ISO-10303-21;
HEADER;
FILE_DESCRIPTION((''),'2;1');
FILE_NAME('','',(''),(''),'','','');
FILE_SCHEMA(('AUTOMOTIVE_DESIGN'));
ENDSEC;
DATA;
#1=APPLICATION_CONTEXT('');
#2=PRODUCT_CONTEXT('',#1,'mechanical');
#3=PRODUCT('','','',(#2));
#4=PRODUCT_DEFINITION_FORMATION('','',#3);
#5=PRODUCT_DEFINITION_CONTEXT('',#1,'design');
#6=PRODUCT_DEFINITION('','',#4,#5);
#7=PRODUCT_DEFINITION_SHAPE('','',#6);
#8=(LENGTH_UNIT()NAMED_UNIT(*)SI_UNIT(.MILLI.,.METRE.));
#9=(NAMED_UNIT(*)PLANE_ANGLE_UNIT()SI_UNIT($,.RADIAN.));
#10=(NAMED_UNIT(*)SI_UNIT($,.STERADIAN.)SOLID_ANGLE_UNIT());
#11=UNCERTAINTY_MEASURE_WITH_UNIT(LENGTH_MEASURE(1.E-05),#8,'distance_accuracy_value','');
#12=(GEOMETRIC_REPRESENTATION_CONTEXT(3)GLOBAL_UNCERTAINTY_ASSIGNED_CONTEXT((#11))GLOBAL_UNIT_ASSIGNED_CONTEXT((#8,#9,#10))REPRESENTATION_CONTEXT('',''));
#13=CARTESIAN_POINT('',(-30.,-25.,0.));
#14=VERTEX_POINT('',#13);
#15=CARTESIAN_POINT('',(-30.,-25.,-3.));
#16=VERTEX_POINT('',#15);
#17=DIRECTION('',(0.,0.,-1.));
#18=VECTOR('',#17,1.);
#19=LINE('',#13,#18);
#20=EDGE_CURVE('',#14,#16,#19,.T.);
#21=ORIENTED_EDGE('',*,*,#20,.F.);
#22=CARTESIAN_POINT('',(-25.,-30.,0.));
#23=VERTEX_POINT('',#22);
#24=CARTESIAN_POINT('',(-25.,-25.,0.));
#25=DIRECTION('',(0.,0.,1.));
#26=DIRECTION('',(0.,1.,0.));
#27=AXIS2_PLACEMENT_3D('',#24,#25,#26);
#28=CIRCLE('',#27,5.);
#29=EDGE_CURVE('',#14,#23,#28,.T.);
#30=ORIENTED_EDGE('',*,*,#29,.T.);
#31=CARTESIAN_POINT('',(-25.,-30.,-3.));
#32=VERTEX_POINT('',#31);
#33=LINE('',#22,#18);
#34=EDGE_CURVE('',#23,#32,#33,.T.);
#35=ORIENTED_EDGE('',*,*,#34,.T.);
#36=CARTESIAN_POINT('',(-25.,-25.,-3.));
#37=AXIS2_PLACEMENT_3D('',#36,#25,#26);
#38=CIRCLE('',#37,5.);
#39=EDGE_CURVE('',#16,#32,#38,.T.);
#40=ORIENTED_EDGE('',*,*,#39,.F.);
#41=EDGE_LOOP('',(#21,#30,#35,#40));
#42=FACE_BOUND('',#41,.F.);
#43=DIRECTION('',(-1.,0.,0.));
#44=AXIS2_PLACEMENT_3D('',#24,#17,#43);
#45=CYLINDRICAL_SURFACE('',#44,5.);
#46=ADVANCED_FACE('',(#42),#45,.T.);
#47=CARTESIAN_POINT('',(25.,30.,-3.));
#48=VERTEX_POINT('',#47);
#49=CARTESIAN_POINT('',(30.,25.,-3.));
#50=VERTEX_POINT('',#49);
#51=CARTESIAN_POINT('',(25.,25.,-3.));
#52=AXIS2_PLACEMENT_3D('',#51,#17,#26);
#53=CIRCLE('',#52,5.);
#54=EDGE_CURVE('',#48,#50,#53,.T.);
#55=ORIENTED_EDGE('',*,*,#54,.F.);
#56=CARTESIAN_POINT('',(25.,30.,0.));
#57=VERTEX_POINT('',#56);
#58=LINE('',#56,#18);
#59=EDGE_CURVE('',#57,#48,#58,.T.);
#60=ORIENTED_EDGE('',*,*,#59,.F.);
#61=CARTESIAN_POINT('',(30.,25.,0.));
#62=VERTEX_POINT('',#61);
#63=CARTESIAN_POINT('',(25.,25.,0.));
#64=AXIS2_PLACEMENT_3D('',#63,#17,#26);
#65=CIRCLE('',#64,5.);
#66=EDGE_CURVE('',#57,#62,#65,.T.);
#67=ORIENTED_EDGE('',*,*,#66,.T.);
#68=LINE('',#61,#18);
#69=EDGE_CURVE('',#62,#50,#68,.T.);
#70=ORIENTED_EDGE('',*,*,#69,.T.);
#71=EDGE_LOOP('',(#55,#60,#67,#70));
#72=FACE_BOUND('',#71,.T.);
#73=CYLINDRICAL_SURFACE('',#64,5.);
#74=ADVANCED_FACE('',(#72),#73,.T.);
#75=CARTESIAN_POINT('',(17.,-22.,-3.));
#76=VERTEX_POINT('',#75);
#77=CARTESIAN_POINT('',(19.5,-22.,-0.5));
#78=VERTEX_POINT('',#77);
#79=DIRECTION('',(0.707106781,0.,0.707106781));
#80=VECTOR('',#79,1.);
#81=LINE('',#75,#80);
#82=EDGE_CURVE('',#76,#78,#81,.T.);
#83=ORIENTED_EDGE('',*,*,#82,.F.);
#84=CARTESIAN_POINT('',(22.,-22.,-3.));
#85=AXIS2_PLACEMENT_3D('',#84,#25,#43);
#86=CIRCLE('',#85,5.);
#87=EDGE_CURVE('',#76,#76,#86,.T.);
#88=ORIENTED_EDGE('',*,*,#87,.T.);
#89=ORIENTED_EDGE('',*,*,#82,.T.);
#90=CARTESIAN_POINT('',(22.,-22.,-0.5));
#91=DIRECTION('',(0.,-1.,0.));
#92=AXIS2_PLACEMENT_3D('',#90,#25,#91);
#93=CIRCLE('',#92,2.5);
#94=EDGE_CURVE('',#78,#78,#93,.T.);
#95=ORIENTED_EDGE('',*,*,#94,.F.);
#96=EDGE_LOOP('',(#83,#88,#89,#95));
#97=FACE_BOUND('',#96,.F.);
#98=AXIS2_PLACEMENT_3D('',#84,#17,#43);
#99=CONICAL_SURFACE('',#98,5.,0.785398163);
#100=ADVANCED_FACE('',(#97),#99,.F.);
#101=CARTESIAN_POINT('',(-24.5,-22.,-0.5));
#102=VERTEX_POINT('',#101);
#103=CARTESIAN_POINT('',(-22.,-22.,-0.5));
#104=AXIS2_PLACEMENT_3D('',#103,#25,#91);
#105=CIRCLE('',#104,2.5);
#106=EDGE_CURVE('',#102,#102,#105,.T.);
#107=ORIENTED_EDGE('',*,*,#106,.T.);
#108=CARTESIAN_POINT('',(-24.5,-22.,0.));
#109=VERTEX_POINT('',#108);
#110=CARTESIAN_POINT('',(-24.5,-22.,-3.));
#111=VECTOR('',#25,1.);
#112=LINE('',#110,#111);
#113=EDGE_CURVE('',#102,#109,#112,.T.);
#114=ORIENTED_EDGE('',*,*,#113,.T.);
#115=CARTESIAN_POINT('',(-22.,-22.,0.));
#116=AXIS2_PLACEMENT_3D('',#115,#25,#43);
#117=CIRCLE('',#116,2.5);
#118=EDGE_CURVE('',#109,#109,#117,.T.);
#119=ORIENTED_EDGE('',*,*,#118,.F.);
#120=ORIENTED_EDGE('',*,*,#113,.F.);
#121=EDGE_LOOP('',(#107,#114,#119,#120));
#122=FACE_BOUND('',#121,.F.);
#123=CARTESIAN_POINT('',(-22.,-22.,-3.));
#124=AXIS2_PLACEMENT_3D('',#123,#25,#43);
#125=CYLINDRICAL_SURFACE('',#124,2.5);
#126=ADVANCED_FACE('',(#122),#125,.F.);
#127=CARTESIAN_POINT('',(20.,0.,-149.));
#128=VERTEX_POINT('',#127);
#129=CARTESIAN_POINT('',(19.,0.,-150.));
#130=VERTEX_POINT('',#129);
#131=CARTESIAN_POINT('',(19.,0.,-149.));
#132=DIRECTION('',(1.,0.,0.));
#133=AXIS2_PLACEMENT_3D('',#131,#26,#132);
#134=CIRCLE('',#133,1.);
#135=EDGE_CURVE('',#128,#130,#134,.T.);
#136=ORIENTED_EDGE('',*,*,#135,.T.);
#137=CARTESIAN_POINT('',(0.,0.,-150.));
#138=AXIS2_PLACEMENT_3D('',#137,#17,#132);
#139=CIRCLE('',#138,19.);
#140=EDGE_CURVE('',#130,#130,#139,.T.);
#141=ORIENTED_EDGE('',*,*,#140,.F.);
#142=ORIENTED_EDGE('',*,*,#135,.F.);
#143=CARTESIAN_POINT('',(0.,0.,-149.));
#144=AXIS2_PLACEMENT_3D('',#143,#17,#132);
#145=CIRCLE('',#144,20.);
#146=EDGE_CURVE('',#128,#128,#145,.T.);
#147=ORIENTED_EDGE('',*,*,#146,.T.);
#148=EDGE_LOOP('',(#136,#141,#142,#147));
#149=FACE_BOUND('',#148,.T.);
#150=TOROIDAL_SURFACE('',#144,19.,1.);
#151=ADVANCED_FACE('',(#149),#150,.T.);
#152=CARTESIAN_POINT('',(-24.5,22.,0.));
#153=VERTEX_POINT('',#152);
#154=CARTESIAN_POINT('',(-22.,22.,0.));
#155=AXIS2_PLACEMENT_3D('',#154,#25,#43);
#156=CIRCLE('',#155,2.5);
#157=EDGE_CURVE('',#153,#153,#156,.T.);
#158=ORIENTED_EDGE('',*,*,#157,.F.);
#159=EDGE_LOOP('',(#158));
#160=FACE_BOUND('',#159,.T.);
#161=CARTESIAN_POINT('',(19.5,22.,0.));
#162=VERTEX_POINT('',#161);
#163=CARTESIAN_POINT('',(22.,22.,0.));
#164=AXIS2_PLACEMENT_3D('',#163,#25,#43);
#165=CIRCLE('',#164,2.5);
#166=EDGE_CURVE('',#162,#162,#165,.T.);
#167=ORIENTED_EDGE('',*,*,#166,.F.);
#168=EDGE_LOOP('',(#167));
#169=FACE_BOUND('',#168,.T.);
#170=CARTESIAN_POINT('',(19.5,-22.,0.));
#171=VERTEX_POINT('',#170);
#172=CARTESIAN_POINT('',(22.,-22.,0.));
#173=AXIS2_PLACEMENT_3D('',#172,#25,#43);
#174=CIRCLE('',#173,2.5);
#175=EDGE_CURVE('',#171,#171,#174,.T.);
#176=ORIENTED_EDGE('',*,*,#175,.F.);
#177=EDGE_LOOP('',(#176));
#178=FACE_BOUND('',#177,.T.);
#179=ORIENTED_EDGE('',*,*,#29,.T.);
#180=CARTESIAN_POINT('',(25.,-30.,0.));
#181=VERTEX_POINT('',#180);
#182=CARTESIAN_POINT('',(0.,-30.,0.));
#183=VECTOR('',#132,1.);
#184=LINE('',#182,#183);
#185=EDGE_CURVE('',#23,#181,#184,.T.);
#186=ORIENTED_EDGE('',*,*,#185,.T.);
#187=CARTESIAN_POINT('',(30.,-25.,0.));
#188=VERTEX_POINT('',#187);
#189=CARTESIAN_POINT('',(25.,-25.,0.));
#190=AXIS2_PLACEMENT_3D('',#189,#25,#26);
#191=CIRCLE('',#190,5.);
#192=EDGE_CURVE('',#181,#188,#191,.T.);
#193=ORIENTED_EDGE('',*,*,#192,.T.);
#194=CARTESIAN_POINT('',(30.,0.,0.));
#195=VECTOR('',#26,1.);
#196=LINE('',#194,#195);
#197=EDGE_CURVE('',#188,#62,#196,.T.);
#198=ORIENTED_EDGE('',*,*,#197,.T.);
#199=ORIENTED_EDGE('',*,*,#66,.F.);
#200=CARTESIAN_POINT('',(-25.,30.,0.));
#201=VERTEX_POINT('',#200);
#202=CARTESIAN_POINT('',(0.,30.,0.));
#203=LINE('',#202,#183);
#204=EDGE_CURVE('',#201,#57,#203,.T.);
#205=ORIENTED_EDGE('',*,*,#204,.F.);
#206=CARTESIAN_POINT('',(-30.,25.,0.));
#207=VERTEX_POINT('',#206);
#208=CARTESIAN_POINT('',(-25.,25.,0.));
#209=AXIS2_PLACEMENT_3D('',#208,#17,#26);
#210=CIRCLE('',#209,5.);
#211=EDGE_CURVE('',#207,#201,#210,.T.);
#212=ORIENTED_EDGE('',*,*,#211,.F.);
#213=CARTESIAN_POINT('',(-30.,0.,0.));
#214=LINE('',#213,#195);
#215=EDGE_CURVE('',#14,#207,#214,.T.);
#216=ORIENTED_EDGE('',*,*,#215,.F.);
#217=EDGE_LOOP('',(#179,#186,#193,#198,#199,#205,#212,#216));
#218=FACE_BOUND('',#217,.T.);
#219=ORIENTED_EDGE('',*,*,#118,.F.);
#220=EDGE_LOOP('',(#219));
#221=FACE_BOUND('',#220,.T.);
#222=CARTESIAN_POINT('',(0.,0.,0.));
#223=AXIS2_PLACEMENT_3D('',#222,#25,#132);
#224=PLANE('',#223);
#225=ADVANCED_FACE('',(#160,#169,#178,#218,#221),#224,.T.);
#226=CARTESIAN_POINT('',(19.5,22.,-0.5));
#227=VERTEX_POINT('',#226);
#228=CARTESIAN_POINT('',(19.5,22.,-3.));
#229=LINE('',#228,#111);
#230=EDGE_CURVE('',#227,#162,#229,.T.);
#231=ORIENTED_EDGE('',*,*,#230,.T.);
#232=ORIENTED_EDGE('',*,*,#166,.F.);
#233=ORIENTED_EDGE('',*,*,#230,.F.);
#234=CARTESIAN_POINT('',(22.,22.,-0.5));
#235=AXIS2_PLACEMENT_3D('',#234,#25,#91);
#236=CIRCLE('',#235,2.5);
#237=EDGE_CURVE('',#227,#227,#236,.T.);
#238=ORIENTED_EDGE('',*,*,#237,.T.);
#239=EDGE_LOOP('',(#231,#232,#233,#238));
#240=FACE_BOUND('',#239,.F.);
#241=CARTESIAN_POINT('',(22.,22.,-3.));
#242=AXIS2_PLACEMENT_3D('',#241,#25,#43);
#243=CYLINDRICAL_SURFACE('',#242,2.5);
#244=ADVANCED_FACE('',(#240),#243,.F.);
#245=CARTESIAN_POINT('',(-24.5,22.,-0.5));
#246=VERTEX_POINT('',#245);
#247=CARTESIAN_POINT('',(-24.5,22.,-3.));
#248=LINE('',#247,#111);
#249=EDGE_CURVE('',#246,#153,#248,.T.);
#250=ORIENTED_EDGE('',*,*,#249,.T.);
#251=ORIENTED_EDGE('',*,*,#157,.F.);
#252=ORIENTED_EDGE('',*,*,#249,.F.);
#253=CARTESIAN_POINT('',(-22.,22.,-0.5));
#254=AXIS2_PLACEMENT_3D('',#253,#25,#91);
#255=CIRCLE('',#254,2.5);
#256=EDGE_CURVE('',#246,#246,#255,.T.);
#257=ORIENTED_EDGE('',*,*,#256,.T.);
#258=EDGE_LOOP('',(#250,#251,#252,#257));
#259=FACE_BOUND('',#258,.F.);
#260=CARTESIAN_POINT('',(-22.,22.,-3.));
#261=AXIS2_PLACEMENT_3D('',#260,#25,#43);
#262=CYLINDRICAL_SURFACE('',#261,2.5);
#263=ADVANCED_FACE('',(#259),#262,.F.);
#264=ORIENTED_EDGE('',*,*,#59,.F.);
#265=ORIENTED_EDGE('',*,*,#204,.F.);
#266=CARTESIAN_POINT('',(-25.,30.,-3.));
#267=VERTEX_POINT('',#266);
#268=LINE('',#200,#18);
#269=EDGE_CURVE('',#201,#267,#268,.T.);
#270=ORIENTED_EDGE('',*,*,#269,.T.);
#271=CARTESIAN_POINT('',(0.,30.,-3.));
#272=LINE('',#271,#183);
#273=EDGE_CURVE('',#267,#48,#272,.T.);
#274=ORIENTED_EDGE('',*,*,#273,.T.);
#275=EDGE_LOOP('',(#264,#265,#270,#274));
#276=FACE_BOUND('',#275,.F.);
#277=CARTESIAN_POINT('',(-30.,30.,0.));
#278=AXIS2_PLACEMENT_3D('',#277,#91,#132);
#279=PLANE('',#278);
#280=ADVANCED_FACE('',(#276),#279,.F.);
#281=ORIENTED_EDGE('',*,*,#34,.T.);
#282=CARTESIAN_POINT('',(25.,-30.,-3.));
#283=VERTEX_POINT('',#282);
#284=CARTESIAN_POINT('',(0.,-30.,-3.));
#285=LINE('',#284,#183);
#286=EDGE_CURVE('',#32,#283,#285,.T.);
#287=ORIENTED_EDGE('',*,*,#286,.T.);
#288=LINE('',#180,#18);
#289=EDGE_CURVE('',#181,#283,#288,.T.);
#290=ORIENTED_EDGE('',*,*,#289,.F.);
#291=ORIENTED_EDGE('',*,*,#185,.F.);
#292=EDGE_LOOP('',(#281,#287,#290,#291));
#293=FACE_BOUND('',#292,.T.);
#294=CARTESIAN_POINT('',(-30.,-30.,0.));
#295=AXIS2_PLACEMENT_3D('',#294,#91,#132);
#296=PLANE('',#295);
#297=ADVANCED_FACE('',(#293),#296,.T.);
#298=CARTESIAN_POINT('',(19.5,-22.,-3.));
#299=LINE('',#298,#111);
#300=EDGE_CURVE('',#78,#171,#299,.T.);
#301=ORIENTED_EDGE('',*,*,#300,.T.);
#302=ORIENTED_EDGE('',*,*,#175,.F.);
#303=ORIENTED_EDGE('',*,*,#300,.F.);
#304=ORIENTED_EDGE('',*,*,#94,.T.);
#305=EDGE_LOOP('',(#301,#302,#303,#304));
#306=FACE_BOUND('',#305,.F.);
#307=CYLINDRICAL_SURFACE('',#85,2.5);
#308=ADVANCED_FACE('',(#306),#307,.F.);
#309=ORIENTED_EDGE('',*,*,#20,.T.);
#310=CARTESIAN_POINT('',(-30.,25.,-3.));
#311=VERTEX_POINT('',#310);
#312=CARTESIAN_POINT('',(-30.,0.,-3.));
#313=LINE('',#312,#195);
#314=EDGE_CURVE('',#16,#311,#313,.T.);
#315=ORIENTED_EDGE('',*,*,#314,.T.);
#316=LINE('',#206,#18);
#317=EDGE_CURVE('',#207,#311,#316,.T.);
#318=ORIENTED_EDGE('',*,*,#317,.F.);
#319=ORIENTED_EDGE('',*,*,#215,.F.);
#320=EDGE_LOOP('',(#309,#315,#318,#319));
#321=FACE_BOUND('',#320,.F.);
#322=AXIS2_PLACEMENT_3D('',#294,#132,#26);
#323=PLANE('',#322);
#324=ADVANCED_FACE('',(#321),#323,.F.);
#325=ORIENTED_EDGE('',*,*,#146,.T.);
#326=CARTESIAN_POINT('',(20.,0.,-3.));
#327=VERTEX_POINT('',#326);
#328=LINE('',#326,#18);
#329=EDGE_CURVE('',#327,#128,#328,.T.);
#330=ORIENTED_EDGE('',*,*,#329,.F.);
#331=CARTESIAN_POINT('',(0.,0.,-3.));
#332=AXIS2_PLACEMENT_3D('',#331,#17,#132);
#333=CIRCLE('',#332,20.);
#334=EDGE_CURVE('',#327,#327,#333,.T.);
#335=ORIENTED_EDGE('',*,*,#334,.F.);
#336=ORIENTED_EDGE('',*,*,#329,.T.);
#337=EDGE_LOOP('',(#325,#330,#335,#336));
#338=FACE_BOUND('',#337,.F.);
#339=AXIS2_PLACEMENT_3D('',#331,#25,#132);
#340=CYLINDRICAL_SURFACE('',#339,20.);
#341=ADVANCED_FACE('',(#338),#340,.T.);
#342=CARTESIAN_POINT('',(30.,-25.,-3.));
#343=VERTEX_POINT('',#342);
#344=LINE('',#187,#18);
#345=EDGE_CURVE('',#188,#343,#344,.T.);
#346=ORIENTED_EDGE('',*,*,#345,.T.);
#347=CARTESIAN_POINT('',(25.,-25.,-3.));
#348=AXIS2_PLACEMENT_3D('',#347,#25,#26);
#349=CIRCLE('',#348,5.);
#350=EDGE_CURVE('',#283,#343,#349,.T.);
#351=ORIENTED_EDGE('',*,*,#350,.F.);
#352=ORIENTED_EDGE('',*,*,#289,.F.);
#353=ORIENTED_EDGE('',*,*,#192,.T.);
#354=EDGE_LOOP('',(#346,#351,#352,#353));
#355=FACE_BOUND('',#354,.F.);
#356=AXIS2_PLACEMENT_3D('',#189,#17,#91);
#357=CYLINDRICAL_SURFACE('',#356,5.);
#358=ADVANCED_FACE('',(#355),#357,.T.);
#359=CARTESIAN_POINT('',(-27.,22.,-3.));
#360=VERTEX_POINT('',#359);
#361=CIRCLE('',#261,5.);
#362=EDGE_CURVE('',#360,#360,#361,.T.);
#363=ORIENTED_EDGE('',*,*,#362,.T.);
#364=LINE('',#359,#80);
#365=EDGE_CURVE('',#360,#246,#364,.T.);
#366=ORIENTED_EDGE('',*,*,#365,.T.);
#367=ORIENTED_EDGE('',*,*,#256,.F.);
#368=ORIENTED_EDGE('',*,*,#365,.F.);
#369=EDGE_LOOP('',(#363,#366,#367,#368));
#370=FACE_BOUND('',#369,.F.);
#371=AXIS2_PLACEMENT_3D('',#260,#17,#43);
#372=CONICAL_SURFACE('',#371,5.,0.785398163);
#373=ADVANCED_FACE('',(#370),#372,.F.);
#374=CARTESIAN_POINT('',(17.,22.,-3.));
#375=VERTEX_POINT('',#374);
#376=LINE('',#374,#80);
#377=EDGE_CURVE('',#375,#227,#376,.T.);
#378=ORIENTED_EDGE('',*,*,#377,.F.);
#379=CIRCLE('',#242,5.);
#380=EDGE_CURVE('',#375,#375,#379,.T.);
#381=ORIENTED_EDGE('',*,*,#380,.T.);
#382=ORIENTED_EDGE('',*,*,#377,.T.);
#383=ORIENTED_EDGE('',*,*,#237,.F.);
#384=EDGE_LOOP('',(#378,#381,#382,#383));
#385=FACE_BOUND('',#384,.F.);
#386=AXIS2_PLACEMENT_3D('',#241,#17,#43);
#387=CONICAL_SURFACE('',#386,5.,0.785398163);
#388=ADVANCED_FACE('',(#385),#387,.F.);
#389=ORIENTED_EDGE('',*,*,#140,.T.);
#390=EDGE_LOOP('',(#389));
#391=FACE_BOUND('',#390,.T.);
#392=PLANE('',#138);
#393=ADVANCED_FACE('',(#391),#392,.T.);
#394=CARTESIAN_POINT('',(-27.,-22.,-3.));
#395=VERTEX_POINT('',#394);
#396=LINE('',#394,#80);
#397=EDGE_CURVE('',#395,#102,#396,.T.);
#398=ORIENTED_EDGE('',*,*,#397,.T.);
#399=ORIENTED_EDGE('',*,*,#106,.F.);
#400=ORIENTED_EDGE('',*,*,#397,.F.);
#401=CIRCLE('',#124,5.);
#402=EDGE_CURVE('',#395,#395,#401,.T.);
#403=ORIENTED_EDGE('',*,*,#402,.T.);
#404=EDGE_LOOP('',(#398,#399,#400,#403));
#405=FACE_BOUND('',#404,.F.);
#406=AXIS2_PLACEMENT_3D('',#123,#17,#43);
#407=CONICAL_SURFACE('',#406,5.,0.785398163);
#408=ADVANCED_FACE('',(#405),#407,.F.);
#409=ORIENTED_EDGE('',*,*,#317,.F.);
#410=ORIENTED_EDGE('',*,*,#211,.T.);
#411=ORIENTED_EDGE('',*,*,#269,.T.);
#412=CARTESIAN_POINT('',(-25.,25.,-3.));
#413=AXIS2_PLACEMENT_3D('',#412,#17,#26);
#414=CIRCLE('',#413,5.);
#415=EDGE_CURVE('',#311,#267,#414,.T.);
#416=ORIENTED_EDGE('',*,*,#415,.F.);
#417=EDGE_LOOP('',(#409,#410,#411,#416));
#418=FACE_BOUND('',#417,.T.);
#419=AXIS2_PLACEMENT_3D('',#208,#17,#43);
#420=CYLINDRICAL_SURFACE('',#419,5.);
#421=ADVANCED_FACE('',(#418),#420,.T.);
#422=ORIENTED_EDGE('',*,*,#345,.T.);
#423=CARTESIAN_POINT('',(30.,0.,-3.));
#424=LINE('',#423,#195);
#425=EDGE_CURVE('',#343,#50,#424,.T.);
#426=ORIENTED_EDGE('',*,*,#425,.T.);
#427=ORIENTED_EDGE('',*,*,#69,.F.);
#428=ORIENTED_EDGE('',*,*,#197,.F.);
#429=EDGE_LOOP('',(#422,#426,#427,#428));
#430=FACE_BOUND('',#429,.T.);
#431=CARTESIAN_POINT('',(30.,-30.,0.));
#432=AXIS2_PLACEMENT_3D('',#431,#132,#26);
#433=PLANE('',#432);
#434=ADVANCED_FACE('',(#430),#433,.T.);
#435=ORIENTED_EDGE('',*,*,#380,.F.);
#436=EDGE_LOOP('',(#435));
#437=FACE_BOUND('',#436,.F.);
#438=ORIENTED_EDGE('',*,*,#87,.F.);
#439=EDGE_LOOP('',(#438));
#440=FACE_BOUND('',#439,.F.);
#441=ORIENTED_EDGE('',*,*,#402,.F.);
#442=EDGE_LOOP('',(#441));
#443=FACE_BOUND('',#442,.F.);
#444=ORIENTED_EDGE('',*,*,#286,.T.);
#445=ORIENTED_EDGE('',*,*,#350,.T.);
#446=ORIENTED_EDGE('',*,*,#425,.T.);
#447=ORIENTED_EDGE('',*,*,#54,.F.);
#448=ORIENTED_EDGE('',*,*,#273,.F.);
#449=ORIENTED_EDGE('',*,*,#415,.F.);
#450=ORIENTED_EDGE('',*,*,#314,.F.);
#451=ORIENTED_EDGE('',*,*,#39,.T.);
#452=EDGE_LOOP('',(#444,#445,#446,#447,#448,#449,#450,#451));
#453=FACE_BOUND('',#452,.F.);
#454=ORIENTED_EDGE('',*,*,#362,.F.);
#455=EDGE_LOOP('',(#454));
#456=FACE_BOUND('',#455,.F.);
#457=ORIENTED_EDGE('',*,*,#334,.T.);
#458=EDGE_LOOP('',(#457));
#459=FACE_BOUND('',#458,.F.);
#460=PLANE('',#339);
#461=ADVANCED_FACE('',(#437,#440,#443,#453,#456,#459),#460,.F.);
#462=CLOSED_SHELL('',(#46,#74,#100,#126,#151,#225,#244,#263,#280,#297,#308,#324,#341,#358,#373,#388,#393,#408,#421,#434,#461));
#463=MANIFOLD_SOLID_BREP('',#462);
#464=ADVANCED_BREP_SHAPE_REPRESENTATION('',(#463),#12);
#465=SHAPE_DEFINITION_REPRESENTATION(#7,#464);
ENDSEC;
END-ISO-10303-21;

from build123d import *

# Parameters (mm, degrees)
F0_W           = 60
F0_H           = 60
F1_DEPTH       = 3
F2_R           = 20
F3_DEPTH       = 147
F4_R           = 5
F6_D           = 5
F6_CSINK_D     = 10
F6_CSINK_ANGLE = 90
F7_R           = 1


with BuildPart() as f1:
    # F0 (on Top) → F1 (new body)
    with BuildSketch(Plane.XY):
        Rectangle(F0_W, F0_H)
    extrude(amount=-F1_DEPTH)

    # F2 (on face) → F3 (join)
    with BuildSketch(Plane(origin=(0, 0, -3), x_dir=(1, 0, 0), z_dir=(0, 0, -1))):
        Circle(F2_R)
    extrude(amount=F3_DEPTH)

    # F4
    f4_edges = [f1.edges().sort_by_distance(p)[0] for p in [
        (-30, -30, -1.5),
        (30, -30, -1.5),
        (30, 30, -1.5),
        (-30, 30, -1.5),
    ]]
    fillet(f4_edges, radius=F4_R)

    # F6 (through all)
    with Locations(Plane(origin=(0, 0, -3), x_dir=(1, 0, 0), z_dir=(0, 0, -1))):
        with Locations((-22, 22), (22, 22), (22, -22), (-22, -22)):
            CounterSinkHole(F6_D / 2, F6_CSINK_D / 2, counter_sink_angle=F6_CSINK_ANGLE)

    # F7
    f7_edges = [f1.edges().sort_by_distance(p)[0] for p in [
        (-20, 0, -150),
    ]]
    fillet(f7_edges, radius=F7_R)


solid = f1.part
